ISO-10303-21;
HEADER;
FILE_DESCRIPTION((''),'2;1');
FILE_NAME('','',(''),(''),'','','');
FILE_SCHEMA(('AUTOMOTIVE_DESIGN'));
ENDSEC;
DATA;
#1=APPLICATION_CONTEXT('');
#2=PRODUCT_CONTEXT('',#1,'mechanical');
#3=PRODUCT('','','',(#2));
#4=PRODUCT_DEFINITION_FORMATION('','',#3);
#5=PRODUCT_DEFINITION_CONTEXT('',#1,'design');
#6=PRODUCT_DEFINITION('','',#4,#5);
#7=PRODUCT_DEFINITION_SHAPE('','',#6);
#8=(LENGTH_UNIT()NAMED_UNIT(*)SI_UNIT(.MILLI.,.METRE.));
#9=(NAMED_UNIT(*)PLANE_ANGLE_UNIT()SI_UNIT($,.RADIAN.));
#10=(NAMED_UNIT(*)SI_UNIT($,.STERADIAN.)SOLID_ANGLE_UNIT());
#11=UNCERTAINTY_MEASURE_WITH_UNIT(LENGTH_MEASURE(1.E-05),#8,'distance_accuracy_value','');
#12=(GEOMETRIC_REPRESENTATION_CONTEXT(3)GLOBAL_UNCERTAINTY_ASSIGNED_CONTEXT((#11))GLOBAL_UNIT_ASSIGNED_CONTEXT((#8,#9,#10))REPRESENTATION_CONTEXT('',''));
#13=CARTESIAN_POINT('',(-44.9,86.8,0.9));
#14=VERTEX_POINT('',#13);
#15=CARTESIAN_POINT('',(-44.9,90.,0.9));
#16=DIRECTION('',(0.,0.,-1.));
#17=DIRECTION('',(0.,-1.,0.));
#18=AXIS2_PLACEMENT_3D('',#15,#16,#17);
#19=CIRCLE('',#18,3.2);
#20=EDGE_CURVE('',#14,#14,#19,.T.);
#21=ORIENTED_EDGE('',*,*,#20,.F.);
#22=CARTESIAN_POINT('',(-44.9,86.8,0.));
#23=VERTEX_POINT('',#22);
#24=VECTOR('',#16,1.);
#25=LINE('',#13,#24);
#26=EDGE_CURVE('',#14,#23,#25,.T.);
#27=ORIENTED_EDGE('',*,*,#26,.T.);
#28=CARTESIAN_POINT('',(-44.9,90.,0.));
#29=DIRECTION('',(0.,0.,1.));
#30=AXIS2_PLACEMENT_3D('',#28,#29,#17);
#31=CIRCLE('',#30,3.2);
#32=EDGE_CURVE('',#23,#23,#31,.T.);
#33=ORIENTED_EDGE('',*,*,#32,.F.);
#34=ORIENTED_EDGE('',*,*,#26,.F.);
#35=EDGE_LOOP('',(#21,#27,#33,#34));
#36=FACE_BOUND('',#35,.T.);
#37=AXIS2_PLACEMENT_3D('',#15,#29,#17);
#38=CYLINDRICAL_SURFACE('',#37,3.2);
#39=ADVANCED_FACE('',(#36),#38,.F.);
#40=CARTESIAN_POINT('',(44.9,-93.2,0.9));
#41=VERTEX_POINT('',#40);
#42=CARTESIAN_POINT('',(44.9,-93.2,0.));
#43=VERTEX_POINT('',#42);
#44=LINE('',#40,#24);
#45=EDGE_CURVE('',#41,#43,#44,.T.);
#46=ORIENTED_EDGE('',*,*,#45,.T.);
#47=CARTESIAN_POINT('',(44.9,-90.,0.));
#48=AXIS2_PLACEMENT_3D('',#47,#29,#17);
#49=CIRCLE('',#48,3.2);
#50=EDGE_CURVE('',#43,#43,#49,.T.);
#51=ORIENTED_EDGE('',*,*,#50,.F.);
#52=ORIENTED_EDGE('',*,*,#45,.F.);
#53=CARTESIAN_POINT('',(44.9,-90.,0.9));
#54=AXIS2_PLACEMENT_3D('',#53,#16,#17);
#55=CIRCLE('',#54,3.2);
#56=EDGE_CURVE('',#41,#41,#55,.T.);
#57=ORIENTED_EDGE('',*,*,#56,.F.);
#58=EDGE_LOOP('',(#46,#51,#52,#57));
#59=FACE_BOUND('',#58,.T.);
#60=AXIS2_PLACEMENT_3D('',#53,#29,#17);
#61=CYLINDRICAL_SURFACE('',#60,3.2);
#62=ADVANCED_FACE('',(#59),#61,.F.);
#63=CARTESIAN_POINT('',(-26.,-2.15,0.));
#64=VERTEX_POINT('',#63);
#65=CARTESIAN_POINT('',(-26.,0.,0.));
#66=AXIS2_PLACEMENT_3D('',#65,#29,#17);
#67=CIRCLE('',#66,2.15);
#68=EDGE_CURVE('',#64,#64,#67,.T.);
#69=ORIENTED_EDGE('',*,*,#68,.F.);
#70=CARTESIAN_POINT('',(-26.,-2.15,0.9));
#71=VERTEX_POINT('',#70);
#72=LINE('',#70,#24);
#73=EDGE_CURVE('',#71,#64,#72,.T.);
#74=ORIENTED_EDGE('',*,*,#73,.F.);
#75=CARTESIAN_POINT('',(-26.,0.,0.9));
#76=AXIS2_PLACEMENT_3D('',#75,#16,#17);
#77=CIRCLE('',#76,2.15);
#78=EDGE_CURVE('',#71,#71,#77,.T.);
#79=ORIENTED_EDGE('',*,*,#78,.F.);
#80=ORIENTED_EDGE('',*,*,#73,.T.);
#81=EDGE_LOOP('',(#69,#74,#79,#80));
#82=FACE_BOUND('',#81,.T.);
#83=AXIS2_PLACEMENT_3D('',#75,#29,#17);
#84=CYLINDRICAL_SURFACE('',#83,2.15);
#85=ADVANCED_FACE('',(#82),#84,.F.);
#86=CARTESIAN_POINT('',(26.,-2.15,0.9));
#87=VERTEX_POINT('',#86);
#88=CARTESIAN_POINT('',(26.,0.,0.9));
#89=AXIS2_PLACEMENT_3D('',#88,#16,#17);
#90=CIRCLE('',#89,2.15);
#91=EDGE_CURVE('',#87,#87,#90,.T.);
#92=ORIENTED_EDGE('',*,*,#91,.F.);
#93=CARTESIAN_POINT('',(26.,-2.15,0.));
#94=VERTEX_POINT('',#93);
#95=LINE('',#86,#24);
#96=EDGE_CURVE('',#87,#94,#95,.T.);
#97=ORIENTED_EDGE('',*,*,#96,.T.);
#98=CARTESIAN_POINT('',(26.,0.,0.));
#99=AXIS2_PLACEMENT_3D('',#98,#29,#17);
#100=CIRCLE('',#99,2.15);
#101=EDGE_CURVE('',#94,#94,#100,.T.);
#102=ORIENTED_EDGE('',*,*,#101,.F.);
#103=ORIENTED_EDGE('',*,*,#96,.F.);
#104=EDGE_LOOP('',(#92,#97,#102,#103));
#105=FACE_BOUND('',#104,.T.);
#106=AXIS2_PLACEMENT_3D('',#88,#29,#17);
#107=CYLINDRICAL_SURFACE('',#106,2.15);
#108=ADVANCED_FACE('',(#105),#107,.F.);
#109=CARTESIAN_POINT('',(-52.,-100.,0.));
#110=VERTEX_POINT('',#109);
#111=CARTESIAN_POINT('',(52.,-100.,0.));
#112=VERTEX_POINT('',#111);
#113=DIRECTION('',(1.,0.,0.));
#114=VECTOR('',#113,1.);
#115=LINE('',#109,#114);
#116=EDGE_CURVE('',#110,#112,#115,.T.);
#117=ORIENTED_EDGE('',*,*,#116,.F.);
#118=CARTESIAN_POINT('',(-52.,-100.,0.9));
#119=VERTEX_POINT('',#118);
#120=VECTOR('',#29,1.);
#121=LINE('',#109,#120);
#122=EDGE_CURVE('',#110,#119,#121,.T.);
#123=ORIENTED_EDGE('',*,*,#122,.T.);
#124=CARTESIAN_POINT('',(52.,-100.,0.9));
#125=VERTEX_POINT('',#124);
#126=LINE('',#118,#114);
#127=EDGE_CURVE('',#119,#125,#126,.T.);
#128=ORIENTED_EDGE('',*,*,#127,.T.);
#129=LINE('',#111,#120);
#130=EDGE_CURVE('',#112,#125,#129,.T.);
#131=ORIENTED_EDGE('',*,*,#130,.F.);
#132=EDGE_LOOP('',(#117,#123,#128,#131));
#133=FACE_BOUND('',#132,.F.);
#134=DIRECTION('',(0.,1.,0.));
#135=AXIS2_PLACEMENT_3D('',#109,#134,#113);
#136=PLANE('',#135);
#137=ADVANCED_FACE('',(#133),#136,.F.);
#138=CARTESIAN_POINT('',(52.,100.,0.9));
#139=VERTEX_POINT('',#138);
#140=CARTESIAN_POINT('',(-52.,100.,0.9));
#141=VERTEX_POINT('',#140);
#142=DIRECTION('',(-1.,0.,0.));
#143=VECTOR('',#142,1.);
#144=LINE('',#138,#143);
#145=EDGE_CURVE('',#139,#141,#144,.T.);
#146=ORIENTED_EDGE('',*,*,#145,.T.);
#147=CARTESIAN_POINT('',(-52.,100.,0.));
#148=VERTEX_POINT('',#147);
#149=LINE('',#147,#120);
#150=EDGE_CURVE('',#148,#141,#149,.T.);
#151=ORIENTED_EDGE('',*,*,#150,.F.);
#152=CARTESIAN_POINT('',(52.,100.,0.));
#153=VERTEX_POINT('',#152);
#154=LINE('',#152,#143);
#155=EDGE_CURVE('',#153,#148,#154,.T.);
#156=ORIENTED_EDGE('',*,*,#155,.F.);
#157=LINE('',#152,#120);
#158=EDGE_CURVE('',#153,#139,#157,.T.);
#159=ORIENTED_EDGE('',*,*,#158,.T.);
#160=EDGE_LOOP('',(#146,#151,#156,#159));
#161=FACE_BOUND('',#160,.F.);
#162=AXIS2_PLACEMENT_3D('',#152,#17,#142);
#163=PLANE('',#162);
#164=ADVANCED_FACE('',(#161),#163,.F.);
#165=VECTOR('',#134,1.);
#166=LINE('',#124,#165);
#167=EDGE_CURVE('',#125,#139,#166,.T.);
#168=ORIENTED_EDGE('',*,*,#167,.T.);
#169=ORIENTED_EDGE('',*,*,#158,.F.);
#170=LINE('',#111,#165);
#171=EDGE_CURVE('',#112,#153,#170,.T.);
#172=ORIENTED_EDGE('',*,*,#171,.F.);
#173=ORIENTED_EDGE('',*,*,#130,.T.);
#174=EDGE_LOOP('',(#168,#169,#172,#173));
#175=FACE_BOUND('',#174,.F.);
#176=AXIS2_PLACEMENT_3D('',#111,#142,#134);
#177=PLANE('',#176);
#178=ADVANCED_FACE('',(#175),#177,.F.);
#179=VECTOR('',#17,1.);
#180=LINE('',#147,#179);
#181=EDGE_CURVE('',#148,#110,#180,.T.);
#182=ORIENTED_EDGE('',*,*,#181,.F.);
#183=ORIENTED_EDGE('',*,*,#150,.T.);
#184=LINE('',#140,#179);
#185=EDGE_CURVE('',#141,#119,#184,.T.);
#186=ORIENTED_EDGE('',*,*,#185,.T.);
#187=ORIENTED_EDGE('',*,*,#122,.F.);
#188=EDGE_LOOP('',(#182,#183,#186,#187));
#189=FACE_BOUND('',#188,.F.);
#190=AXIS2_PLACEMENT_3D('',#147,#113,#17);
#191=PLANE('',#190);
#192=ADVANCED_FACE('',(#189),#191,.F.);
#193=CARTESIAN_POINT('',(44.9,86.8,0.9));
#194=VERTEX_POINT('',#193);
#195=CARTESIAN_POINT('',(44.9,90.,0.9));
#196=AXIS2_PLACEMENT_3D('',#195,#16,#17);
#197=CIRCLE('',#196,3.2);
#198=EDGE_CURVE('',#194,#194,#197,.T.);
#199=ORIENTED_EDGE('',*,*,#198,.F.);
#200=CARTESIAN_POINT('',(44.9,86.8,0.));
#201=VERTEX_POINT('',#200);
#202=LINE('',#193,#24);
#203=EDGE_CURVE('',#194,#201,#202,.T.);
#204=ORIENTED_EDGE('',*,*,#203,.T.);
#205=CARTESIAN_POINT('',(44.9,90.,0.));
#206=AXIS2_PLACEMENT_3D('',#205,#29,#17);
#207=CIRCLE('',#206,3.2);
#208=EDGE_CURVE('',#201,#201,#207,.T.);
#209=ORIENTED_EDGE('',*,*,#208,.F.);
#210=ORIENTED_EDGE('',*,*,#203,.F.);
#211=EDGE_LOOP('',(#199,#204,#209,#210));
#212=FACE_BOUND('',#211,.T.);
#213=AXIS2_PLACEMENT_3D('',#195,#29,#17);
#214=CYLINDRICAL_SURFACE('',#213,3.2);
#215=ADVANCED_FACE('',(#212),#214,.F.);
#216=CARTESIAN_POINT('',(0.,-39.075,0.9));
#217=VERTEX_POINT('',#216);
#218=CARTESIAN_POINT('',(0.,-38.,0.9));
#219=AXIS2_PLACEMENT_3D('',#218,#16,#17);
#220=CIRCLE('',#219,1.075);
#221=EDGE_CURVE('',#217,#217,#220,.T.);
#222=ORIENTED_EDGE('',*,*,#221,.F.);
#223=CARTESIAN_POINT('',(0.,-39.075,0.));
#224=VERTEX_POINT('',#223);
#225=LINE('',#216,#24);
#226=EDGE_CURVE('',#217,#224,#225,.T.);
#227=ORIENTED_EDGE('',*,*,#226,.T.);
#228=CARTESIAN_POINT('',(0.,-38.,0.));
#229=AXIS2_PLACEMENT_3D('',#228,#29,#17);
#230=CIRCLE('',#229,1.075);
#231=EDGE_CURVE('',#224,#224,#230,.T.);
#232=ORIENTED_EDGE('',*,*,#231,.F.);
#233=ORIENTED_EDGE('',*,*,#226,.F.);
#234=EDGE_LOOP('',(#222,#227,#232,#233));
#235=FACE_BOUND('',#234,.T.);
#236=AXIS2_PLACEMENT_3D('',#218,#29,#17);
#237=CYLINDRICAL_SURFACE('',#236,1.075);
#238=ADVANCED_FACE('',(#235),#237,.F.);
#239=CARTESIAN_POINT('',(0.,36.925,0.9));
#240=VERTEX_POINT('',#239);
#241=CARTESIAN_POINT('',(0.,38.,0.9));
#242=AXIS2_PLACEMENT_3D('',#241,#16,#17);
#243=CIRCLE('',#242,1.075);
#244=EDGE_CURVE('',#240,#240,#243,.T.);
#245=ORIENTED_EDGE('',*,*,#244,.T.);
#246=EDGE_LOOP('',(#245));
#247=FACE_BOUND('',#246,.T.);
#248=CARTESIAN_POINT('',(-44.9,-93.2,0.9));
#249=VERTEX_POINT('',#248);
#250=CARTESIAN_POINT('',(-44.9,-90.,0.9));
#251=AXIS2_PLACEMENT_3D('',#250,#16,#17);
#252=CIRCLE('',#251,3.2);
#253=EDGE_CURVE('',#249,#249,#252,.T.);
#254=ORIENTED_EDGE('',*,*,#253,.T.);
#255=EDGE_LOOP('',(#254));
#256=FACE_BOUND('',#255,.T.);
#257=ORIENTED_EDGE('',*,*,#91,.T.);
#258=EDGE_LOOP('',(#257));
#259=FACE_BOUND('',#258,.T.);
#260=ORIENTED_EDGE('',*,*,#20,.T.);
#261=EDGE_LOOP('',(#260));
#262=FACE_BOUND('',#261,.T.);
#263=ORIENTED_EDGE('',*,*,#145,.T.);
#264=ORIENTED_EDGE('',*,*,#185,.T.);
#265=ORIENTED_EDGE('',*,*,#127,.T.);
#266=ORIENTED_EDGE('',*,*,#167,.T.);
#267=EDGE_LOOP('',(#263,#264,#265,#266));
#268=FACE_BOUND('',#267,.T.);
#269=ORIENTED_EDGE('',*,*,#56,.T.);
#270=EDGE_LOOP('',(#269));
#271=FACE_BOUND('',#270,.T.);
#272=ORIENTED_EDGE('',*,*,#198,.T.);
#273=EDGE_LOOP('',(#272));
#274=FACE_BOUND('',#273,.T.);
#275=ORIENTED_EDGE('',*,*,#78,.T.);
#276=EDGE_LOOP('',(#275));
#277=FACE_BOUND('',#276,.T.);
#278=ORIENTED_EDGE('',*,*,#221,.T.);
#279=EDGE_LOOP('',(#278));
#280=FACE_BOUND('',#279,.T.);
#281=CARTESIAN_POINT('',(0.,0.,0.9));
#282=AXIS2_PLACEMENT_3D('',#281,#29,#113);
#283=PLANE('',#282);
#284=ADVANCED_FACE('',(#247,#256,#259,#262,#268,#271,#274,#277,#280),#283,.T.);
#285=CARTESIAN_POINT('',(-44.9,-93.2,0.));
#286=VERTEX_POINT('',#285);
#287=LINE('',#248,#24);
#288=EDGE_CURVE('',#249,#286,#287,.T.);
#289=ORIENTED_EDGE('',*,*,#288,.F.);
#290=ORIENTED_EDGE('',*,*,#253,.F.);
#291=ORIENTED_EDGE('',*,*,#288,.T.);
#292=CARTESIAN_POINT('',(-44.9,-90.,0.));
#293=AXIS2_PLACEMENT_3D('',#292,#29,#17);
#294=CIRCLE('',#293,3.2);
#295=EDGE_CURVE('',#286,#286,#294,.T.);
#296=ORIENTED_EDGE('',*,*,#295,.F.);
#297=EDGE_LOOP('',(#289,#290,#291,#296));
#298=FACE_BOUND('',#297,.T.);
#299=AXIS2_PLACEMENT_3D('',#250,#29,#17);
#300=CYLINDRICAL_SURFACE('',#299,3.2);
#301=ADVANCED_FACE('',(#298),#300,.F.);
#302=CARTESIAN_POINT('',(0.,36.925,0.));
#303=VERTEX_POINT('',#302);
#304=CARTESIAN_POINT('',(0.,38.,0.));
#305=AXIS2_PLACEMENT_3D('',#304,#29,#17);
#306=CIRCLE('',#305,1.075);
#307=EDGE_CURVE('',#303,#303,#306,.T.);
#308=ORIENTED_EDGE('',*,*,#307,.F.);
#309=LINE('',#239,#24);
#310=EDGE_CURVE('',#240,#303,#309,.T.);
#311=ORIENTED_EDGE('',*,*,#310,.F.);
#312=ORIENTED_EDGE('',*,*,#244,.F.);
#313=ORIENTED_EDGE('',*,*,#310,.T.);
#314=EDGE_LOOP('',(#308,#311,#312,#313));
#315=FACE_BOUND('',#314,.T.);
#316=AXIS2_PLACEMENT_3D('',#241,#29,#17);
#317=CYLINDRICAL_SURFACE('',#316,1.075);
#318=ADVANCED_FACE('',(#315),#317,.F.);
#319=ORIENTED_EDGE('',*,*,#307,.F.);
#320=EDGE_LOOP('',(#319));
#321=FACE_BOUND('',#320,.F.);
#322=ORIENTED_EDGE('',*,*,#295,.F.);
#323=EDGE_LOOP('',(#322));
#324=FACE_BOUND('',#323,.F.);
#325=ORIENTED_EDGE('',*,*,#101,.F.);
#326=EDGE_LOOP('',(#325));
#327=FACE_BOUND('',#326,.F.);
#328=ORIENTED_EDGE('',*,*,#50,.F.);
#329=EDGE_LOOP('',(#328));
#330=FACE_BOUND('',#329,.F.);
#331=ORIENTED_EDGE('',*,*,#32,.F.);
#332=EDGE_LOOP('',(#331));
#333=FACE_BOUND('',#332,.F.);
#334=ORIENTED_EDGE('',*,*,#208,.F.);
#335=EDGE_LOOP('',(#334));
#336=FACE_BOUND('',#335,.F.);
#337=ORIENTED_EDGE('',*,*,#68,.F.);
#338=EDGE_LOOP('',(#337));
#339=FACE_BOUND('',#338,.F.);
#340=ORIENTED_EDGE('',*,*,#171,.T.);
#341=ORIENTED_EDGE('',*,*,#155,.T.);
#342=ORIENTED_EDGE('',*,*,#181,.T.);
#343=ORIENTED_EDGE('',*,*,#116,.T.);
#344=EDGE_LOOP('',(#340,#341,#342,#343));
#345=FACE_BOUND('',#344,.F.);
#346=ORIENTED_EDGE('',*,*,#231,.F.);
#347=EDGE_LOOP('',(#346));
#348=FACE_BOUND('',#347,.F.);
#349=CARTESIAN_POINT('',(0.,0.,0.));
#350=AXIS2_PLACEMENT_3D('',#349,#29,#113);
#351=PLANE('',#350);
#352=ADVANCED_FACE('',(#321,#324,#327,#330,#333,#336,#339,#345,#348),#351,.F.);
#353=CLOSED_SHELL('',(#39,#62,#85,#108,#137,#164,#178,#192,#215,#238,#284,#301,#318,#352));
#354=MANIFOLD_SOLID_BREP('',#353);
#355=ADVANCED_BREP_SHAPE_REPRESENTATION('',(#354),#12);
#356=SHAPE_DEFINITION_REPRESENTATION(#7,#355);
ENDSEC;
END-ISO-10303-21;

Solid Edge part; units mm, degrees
sketch "Sketch1" plane through (0, 0, 0) normal (0, 0, 1) x (1, 0, 0)
  line L0 (-52, -100) -> (52, -100)
  line L1 (52, -100) -> (52, 100)
  line L2 (52, 100) -> (-52, 100)
  line L3 (-52, 100) -> (-52, -100)
extrude "Extrusionsausprägung_1" add sketch "Sketch1" along normal blind 0.9
hole "Bohrung_1" at (-44.9, 90, 0.9) direction (0, 0, -1) diameter 6.4 end up to next
hole "Hole1" at (44.9, 90, 0.9) direction (0, 0, -1) diameter 6.4 end up to next
hole "Hole2" at (44.9, -90, 0.9) direction (0, 0, -1) diameter 6.4 end up to next
hole "Hole3" at (-44.9, -90, 0.9) direction (0, 0, -1) diameter 6.4 end up to next
hole "Bohrung_5" at (-26, 0, 0.9) direction (0, 0, -1) diameter 4.3 end up to next
hole "Hole4" at (26, 0, 0.9) direction (0, 0, -1) diameter 4.3 end up to next
hole "Bohrung_7" at (0, 38, 0.9) direction (0, 0, -1) diameter 2.15 end up to next
hole "Hole5" at (0, -38, 0.9) direction (0, 0, -1) diameter 2.15 end up to next
properties material "Aluminium, 2024-T4"
